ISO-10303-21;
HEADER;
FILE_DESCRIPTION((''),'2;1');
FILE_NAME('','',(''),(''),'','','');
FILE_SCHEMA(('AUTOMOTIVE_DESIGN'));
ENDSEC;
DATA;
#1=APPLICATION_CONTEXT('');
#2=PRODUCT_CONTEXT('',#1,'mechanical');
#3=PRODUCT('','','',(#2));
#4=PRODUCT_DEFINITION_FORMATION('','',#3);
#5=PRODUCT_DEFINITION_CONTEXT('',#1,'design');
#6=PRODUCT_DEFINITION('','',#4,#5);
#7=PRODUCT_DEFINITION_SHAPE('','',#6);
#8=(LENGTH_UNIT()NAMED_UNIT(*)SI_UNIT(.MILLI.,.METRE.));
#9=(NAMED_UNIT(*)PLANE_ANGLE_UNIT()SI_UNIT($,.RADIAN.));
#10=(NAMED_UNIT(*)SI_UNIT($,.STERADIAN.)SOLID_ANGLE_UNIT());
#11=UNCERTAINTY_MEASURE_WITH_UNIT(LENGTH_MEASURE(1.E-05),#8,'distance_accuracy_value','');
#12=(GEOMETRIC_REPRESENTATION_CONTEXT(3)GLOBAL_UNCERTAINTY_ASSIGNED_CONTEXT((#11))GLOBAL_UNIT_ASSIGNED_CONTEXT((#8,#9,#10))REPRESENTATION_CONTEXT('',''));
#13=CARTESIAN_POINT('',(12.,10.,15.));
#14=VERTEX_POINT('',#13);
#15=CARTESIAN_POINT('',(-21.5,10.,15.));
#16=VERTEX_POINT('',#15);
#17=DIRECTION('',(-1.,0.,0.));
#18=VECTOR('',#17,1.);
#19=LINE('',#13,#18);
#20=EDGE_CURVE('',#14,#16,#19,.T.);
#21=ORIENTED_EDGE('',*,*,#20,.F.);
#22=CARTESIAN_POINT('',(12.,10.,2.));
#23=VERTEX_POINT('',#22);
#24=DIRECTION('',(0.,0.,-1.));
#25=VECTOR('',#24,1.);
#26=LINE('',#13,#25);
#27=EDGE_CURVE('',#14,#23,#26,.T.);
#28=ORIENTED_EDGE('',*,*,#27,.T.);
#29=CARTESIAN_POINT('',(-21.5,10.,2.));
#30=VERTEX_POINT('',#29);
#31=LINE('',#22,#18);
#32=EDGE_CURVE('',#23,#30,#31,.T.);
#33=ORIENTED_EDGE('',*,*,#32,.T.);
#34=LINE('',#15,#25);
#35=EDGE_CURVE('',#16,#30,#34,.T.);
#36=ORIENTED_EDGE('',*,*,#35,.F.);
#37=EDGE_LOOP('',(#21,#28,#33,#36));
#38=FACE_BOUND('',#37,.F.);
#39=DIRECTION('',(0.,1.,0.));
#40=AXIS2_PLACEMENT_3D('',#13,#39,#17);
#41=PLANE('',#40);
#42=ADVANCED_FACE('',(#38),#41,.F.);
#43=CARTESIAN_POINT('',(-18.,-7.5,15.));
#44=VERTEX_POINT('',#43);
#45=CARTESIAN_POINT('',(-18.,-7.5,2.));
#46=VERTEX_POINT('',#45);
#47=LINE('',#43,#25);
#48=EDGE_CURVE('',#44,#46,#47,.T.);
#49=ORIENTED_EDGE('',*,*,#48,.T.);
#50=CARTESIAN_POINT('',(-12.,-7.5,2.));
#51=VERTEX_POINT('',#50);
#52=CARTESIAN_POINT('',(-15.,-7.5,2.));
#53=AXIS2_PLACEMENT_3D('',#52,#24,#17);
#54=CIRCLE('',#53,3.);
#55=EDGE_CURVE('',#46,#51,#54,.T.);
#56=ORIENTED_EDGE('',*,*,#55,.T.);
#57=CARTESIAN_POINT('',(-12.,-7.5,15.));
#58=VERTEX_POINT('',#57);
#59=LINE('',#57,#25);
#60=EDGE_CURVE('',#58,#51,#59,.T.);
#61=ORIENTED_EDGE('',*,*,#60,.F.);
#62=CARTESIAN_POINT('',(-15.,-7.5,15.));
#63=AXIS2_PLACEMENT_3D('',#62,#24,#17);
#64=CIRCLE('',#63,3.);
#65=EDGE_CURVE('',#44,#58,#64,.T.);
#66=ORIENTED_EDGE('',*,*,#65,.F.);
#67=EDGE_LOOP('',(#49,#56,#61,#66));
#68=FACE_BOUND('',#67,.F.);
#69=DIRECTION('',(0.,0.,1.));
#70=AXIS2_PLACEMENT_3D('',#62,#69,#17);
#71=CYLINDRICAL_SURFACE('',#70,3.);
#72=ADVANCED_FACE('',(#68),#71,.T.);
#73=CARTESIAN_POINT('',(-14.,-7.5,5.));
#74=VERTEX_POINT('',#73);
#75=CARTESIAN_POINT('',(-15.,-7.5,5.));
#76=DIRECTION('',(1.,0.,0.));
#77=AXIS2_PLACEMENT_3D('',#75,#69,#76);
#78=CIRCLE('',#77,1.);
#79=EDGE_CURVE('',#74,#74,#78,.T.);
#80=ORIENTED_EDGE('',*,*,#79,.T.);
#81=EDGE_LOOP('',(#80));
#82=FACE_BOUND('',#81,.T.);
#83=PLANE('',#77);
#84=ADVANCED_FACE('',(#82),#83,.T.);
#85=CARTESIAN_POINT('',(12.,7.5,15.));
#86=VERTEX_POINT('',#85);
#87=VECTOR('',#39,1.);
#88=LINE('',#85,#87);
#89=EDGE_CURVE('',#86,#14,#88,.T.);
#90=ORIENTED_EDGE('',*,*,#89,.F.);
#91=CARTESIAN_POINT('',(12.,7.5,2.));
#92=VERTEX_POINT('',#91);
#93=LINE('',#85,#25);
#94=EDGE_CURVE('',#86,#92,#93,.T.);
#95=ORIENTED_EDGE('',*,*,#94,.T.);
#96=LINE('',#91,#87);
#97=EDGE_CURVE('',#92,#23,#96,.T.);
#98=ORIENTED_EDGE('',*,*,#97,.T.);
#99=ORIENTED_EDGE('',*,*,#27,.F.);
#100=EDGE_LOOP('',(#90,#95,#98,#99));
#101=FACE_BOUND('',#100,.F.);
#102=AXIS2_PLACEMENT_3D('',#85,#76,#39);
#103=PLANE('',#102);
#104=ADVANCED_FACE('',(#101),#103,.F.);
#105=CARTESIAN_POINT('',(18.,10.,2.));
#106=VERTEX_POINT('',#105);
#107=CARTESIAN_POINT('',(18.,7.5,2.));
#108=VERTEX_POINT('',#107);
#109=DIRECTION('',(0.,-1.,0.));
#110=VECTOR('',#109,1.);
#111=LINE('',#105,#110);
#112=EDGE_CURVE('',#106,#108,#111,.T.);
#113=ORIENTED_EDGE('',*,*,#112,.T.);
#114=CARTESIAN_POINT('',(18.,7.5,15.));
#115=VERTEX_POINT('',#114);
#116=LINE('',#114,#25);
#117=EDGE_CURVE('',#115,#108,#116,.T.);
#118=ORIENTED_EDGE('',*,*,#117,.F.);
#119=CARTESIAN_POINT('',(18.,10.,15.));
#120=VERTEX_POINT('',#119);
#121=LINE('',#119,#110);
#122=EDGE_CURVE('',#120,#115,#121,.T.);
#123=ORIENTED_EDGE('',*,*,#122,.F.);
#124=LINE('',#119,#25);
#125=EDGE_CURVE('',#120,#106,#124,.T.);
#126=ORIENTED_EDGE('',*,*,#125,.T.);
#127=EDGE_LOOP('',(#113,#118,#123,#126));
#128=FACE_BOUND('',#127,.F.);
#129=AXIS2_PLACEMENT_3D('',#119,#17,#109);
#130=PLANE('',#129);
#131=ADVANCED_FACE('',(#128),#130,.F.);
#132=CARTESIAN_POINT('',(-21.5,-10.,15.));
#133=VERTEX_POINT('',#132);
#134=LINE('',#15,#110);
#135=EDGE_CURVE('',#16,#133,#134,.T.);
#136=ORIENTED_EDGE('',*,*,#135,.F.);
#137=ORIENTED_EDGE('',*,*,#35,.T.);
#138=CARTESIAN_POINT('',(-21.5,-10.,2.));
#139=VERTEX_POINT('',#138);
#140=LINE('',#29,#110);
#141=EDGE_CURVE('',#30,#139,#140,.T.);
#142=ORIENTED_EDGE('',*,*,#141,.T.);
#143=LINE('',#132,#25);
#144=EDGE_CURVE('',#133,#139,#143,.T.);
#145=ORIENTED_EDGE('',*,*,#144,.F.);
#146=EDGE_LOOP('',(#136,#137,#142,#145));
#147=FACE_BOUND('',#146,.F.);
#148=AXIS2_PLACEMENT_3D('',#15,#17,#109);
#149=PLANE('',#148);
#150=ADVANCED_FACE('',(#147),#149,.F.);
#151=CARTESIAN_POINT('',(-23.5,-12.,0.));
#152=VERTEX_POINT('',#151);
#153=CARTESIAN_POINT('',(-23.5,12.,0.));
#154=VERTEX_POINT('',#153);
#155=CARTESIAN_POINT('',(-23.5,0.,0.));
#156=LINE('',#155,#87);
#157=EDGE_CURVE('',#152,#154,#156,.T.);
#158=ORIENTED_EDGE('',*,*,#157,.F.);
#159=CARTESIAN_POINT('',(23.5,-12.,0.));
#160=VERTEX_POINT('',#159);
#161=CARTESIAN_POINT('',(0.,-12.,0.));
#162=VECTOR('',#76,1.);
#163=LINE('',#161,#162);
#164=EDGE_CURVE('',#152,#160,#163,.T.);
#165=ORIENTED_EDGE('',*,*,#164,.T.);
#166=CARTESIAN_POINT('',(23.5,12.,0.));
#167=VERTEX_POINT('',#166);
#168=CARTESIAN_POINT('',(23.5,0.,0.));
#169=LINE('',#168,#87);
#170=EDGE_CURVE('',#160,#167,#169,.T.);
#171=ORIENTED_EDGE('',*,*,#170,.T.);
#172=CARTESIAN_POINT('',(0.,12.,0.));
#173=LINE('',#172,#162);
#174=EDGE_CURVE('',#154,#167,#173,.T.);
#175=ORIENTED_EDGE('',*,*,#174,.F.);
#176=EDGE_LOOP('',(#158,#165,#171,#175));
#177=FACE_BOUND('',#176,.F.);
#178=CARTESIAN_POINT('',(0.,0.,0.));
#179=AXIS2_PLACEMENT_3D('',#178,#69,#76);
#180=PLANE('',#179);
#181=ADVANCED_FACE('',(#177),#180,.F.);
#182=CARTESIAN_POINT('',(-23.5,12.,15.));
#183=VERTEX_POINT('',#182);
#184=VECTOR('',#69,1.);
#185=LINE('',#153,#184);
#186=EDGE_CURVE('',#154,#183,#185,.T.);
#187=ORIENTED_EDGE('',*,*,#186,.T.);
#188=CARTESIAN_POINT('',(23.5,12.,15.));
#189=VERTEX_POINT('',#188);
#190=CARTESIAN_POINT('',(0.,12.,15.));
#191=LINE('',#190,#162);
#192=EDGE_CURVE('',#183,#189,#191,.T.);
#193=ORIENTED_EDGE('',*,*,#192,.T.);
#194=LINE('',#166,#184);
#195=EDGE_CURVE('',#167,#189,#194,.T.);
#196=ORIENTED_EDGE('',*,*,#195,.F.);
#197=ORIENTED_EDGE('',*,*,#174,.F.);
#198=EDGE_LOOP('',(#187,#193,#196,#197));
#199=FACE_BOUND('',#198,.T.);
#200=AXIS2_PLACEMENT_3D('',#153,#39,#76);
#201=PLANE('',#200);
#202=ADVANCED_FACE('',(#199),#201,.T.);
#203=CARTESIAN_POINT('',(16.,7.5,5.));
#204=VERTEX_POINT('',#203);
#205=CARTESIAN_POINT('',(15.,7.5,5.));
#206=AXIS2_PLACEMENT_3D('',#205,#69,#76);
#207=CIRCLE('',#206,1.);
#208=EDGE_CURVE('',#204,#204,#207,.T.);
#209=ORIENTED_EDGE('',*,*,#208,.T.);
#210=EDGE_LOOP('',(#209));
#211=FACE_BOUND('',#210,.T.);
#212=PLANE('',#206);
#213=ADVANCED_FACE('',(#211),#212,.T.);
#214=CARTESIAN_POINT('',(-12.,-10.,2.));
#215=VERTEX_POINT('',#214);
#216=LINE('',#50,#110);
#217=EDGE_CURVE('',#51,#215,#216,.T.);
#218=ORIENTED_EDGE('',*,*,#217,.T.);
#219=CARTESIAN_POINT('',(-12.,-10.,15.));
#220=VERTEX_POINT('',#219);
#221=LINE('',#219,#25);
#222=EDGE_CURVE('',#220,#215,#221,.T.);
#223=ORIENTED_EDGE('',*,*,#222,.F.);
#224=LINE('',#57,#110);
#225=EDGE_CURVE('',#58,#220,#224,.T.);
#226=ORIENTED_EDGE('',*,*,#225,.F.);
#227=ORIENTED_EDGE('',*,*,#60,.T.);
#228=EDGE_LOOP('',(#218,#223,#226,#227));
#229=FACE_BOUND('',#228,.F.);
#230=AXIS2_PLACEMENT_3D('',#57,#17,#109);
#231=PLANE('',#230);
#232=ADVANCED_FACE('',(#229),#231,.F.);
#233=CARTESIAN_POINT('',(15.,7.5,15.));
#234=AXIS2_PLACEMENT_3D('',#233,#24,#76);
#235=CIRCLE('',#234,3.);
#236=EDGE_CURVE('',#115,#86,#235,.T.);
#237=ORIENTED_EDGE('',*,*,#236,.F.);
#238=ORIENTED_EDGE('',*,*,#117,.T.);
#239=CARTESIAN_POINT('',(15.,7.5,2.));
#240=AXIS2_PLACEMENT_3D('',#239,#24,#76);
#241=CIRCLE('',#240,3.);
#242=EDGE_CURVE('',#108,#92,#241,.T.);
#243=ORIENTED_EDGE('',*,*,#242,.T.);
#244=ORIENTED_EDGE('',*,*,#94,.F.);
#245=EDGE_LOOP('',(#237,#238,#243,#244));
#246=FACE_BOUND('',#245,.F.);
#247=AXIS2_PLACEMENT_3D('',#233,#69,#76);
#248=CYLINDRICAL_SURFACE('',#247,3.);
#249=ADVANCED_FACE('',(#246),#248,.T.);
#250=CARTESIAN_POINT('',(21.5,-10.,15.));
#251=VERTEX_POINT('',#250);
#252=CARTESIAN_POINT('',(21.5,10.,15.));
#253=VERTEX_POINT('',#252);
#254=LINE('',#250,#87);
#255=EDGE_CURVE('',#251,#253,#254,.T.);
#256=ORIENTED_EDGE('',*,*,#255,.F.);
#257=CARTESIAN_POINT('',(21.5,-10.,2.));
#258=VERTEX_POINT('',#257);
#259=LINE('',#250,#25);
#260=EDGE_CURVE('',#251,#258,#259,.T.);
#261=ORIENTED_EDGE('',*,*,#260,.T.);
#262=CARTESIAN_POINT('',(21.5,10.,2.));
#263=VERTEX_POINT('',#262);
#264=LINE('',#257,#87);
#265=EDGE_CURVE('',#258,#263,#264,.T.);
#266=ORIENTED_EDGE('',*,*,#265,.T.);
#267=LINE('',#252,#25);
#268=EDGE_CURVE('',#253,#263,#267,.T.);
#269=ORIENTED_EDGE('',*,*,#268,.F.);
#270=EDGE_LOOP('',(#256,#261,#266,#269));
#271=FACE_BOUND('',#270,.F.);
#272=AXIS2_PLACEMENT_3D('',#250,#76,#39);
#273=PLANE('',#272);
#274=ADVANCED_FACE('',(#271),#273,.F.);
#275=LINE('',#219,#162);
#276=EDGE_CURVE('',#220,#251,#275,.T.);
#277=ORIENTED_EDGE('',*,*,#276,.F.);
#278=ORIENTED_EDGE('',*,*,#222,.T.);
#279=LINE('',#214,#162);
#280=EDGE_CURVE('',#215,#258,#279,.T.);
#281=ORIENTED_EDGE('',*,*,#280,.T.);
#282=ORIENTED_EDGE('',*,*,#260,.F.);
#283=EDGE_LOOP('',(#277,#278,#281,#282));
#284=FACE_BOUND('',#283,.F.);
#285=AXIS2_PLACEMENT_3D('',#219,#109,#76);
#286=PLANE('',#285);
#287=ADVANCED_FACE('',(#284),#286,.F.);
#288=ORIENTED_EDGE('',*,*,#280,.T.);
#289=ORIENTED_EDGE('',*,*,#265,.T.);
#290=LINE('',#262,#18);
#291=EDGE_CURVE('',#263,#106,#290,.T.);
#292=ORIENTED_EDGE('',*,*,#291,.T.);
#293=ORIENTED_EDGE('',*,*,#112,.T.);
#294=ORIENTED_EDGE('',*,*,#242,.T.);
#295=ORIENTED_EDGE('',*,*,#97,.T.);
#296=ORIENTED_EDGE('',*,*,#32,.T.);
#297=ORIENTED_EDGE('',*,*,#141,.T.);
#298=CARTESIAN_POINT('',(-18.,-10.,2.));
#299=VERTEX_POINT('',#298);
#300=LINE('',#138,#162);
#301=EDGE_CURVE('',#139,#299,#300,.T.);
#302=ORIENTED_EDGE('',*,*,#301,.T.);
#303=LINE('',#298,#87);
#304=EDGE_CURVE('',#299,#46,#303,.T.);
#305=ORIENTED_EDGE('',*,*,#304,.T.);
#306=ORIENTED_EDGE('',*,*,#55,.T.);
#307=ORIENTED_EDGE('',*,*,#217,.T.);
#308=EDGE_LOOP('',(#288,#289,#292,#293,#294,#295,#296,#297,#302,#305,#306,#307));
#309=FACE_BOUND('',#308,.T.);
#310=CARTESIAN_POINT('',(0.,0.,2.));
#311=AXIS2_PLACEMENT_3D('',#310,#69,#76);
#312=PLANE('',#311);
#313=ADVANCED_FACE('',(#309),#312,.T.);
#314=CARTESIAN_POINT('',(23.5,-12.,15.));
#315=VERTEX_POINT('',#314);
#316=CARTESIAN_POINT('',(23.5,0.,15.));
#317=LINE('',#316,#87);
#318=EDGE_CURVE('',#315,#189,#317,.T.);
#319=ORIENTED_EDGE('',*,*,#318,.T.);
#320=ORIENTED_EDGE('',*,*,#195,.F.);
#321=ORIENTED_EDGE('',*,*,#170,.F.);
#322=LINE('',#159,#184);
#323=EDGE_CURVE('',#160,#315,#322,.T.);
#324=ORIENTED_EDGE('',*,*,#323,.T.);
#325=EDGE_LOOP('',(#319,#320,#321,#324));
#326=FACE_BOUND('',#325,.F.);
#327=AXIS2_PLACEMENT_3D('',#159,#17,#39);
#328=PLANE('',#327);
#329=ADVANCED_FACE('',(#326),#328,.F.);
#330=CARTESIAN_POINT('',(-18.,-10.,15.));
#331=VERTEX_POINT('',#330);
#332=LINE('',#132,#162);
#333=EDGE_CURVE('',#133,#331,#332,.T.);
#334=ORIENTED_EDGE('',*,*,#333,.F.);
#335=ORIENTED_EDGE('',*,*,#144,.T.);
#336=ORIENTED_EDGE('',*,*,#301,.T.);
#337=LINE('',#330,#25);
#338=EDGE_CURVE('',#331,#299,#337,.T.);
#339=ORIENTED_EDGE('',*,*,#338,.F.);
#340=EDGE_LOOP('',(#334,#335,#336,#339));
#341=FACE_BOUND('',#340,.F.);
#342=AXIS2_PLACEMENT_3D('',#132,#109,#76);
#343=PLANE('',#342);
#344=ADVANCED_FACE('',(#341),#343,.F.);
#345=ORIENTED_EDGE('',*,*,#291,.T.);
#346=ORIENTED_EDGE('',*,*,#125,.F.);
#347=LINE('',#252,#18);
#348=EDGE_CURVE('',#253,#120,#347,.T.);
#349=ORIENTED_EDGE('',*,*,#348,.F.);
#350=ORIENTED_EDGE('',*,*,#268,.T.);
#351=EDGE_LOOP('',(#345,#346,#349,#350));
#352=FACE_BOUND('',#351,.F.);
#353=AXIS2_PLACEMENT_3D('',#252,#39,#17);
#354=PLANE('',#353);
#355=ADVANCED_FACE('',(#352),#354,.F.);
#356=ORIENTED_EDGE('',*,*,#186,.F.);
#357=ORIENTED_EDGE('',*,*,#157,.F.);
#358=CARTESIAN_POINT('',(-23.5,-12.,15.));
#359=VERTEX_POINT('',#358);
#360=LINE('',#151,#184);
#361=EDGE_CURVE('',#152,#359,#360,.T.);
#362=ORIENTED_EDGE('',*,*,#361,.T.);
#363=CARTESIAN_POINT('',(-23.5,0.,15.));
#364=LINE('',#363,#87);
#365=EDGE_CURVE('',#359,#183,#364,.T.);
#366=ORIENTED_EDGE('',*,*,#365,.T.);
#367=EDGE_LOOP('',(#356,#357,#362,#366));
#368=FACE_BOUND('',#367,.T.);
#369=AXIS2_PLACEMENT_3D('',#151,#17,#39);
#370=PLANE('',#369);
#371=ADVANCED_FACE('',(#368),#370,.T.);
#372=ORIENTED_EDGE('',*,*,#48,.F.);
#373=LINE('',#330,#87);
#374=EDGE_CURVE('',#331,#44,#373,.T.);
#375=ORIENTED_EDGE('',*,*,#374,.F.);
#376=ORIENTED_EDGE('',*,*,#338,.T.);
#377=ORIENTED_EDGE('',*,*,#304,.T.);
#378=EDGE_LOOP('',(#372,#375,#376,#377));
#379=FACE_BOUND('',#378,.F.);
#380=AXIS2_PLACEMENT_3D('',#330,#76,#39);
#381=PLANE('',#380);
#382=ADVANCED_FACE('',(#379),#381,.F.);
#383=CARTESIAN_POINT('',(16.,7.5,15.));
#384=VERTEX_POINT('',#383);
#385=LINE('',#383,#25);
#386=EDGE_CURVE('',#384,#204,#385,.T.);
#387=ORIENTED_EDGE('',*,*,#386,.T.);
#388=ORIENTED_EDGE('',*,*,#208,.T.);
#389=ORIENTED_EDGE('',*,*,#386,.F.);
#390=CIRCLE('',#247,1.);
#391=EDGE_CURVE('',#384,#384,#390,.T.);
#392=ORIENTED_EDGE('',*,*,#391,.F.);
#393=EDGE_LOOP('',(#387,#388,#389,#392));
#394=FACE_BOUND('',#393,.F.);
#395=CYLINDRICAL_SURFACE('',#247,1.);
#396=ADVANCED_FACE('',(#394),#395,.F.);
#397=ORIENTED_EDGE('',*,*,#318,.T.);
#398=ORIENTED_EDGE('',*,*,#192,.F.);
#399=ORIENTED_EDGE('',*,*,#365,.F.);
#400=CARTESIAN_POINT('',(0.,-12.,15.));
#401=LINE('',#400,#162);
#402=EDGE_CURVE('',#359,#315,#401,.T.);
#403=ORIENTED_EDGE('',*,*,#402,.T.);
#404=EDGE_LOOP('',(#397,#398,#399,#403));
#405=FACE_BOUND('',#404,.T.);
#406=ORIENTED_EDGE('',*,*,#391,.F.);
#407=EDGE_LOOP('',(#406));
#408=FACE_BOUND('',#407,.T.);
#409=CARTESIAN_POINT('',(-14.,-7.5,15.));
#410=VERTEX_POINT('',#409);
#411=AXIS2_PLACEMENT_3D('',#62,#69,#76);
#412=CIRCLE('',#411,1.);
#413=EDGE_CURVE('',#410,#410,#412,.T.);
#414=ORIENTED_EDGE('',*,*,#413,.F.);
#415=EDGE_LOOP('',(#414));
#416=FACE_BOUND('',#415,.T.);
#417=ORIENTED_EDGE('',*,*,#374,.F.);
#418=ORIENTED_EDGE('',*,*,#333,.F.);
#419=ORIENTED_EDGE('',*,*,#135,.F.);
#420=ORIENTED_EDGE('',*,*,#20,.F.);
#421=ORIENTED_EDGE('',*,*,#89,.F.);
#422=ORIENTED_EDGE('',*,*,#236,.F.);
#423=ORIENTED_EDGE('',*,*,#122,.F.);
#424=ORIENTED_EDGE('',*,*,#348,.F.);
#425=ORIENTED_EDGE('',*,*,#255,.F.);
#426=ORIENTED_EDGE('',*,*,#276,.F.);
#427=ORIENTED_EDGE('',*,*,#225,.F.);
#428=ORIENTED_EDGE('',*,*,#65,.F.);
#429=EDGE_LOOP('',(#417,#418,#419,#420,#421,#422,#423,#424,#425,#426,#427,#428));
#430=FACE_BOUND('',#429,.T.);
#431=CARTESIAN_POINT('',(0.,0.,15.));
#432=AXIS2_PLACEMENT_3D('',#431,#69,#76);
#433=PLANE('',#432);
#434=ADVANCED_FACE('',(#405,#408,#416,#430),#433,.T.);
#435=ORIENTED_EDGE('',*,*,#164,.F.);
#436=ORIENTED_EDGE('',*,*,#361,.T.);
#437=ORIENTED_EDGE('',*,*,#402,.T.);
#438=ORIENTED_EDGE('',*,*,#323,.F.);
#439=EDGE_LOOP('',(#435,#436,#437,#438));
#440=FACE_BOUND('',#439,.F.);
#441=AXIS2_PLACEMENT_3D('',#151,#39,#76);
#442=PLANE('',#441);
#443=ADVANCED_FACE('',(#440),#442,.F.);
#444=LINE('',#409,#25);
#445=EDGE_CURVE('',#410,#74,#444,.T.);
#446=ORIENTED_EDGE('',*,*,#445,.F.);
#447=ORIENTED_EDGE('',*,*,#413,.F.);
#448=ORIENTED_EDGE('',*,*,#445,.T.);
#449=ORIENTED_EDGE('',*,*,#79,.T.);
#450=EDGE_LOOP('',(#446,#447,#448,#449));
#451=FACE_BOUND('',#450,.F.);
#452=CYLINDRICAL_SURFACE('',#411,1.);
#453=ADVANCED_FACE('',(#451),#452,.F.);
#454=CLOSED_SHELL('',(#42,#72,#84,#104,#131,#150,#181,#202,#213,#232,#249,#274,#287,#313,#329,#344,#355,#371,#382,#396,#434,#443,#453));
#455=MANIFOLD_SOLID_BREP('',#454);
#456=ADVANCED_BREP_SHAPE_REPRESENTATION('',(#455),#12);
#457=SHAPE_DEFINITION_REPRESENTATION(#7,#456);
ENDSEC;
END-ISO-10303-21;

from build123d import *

# Parameters (mm, degrees)
F0_W     = 47
F0_H     = 24
F1_DEPTH = 15
F3_DEPTH = 13
F4_R     = 1
F5_DEPTH = 10


with BuildPart() as f1:
    # F0 (on Top) → F1 (new body)
    with BuildSketch(Plane.XY):
        Rectangle(F0_W, F0_H)
    extrude(amount=F1_DEPTH)

    # F2 (on face) → F3 (cut)
    with BuildSketch(Plane.XY.offset(15)):
        with BuildLine():
            Line((21.5, 10), (18, 10))
            Line((18, 10), (18, 7.5))
            ThreePointArc((18, 7.5), (15, 4.5), (12, 7.5))
            Line((12, 7.5), (12, 10))
            Line((12, 10), (-21.5, 10))
            Line((-21.5, 10), (-21.5, -10))
            Line((-21.5, -10), (-18, -10))
            Line((-18, -10), (-18, -7.5))
            ThreePointArc((-18, -7.5), (-15, -4.5), (-12, -7.5))
            Line((-12, -7.5), (-12, -10))
            Line((-12, -10), (21.5, -10))
            Line((21.5, -10), (21.5, 10))
        make_face()
    extrude(amount=-F3_DEPTH, mode=Mode.SUBTRACT)

    # F4 (on face) → F5 (cut)
    with BuildSketch(Plane.XY.offset(15)):
        with Locations((15, 7.5)):
            Circle(F4_R)
        with Locations((-15, -7.5)):
            Circle(F4_R)
    extrude(amount=-F5_DEPTH, mode=Mode.SUBTRACT)


solid = f1.part
